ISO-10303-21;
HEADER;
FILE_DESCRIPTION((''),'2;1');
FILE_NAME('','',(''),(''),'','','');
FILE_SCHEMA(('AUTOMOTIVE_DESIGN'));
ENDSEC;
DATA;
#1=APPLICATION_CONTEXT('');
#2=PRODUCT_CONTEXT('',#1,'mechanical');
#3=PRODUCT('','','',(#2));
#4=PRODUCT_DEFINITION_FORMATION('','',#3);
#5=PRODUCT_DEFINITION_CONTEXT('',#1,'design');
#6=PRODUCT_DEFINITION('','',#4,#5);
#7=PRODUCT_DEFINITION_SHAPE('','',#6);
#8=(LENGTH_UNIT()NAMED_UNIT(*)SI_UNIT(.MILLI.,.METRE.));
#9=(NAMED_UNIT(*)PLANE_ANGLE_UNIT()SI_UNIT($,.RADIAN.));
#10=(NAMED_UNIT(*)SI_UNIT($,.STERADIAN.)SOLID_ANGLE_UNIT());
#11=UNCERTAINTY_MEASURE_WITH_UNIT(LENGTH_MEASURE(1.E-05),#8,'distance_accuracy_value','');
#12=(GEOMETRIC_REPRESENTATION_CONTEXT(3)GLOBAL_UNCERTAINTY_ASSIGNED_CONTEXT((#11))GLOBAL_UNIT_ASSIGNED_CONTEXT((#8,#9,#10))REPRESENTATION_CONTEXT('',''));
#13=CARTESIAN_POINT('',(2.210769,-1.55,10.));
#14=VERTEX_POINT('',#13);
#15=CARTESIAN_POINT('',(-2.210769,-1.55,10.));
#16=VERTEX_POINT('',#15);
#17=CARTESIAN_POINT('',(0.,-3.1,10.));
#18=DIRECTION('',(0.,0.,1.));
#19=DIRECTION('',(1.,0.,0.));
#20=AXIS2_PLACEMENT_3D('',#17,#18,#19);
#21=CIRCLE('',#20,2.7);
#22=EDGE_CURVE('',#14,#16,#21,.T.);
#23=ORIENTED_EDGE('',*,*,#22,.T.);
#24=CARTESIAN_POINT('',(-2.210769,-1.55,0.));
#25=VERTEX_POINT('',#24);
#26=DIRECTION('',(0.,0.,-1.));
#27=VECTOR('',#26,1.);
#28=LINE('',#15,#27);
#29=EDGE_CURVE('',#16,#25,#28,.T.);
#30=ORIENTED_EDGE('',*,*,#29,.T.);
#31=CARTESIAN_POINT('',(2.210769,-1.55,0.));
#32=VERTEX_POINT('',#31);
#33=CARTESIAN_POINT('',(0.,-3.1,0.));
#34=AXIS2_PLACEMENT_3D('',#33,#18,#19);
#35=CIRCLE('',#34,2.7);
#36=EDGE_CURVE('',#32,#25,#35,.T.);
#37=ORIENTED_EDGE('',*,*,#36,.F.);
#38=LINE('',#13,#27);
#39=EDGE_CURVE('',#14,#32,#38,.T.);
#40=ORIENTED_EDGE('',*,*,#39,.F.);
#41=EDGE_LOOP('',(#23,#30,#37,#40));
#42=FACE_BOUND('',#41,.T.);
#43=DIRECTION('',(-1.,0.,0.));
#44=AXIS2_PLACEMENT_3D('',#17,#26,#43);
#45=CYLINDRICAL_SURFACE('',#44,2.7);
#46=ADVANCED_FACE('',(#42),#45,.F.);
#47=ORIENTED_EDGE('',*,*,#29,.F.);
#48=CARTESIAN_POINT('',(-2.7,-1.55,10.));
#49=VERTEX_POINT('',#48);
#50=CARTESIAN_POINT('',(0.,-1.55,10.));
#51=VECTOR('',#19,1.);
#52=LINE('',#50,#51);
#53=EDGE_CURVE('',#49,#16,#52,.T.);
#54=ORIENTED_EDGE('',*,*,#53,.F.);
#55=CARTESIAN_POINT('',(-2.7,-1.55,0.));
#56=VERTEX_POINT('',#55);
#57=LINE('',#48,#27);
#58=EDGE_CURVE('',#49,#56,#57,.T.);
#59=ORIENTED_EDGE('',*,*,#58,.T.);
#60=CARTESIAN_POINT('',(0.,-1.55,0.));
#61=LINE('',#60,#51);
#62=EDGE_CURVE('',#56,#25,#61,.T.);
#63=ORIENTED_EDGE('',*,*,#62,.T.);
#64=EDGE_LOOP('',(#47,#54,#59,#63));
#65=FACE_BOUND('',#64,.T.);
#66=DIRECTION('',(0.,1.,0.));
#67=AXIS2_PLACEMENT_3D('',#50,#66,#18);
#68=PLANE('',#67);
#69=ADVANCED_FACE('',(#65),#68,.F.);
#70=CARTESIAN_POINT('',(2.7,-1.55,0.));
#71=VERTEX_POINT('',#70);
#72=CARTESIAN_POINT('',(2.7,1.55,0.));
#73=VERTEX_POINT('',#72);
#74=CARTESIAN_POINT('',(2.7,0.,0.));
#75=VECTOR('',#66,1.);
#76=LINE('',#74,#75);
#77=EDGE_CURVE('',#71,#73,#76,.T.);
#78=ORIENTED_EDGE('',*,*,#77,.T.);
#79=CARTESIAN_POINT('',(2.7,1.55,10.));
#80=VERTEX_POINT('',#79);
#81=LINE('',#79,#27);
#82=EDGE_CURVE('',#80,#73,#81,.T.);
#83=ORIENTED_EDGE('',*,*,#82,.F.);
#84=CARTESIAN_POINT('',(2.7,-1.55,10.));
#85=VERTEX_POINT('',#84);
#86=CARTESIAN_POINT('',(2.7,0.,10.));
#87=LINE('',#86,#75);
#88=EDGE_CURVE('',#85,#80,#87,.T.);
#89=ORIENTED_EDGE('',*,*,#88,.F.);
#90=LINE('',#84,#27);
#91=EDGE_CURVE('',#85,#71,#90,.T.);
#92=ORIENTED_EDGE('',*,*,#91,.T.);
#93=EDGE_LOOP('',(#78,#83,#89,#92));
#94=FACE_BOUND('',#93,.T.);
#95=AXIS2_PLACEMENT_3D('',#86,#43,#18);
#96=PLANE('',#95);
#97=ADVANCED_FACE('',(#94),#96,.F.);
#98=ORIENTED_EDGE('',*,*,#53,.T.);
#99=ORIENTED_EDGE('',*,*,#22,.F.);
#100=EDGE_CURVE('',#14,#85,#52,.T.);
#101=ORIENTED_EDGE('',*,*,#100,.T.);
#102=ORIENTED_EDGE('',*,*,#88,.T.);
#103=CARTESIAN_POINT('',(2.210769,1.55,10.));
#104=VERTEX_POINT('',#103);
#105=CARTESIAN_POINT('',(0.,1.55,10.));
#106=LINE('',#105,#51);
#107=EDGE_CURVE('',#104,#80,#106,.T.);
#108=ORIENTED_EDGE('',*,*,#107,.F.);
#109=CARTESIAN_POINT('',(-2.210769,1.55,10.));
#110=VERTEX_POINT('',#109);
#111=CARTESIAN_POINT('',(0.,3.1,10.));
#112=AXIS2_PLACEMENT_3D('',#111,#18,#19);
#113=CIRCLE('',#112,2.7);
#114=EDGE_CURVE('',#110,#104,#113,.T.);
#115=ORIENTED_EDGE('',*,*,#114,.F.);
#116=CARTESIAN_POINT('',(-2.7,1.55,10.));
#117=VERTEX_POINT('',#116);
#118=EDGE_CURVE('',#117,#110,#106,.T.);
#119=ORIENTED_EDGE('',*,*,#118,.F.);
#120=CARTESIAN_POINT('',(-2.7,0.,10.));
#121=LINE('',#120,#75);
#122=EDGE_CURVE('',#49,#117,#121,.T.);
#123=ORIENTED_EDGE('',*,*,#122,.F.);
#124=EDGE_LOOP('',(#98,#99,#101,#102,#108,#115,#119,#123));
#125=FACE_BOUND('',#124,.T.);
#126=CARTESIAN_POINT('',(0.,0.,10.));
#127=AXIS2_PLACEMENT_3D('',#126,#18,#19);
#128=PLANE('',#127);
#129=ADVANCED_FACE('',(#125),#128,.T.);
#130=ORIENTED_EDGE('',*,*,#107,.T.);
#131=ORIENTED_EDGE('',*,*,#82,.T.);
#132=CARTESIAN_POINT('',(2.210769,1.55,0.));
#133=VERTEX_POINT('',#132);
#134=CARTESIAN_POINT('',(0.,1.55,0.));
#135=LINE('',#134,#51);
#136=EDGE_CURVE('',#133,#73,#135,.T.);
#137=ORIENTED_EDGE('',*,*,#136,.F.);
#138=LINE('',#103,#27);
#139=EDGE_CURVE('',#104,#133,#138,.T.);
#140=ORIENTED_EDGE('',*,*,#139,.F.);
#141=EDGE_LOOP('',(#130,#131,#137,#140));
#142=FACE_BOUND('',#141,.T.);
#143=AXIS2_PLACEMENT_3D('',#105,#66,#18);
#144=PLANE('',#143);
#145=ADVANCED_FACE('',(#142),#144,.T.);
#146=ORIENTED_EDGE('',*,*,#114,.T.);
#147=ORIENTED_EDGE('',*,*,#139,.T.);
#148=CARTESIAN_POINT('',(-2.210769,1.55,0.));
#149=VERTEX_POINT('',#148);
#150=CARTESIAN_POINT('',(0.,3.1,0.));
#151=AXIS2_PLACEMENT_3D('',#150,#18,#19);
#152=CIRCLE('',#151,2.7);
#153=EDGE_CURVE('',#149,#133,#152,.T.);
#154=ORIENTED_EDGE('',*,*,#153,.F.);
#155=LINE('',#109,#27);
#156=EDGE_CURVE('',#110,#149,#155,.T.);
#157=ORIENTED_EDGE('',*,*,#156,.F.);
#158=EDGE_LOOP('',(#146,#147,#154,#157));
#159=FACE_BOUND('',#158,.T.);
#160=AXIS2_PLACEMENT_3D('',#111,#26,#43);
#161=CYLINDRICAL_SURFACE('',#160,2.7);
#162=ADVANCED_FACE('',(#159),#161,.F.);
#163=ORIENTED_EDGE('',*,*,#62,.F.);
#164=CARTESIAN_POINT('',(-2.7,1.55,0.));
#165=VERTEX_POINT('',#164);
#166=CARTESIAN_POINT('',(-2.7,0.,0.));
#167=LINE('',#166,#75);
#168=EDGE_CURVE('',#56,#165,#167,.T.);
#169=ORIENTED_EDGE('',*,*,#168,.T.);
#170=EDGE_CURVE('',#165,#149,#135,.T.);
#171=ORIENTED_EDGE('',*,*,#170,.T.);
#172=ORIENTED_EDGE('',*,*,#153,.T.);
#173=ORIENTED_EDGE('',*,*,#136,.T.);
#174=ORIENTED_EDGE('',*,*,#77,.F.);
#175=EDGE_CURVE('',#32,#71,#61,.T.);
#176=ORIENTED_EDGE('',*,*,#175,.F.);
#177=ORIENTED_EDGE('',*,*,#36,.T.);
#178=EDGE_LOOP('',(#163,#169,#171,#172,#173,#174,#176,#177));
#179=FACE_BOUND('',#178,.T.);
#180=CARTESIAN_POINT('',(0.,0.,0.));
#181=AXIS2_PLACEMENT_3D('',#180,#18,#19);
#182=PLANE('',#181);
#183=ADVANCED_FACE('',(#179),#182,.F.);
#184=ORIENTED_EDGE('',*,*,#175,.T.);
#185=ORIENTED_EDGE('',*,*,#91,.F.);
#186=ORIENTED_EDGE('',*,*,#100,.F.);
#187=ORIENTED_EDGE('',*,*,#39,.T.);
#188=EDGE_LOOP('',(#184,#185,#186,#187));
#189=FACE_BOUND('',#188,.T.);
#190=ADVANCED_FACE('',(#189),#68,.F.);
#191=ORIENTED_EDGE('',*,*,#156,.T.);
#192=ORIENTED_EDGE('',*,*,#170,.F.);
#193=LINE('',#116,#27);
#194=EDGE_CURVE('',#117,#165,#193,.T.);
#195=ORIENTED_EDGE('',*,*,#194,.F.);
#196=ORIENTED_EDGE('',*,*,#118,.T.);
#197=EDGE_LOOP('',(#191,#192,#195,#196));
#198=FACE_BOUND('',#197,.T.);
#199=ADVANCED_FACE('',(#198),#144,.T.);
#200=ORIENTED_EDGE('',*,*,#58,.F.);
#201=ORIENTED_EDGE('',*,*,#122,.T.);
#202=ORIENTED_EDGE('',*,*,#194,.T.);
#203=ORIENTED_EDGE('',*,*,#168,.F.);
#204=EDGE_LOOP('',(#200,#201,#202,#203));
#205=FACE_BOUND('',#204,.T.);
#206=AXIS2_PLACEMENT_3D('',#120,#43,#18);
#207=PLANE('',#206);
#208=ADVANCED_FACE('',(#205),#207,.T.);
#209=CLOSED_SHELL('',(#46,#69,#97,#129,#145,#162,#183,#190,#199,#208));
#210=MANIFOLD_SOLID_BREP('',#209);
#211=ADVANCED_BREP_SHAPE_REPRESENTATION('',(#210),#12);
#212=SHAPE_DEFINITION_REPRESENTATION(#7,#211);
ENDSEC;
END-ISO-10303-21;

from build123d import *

# Parameters (mm, degrees)
BOSS_EXTRU_1_DEPTH = 10


with BuildPart() as part:
    # Esquisse1 → Boss.-Extru.1 (new body)
    with BuildSketch(Plane.XY):
        with BuildLine():
            Line((-2.7, 1.55), (-2.7, -1.55))
            Line((-2.7, -1.55), (-2.210769097, -1.55))
            ThreePointArc((-2.210769097, -1.55), (0, -0.4), (2.210769097, -1.55))
            Line((2.210769097, -1.55), (2.7, -1.55))
            Line((2.7, -1.55), (2.7, 1.55))
            Line((2.7, 1.55), (2.210769097, 1.55))
            ThreePointArc((2.210769097, 1.55), (0, 0.4), (-2.210769097, 1.55))
            Line((-2.210769097, 1.55), (-2.7, 1.55))
        make_face()
    extrude(amount=BOSS_EXTRU_1_DEPTH)


solid = part.part
